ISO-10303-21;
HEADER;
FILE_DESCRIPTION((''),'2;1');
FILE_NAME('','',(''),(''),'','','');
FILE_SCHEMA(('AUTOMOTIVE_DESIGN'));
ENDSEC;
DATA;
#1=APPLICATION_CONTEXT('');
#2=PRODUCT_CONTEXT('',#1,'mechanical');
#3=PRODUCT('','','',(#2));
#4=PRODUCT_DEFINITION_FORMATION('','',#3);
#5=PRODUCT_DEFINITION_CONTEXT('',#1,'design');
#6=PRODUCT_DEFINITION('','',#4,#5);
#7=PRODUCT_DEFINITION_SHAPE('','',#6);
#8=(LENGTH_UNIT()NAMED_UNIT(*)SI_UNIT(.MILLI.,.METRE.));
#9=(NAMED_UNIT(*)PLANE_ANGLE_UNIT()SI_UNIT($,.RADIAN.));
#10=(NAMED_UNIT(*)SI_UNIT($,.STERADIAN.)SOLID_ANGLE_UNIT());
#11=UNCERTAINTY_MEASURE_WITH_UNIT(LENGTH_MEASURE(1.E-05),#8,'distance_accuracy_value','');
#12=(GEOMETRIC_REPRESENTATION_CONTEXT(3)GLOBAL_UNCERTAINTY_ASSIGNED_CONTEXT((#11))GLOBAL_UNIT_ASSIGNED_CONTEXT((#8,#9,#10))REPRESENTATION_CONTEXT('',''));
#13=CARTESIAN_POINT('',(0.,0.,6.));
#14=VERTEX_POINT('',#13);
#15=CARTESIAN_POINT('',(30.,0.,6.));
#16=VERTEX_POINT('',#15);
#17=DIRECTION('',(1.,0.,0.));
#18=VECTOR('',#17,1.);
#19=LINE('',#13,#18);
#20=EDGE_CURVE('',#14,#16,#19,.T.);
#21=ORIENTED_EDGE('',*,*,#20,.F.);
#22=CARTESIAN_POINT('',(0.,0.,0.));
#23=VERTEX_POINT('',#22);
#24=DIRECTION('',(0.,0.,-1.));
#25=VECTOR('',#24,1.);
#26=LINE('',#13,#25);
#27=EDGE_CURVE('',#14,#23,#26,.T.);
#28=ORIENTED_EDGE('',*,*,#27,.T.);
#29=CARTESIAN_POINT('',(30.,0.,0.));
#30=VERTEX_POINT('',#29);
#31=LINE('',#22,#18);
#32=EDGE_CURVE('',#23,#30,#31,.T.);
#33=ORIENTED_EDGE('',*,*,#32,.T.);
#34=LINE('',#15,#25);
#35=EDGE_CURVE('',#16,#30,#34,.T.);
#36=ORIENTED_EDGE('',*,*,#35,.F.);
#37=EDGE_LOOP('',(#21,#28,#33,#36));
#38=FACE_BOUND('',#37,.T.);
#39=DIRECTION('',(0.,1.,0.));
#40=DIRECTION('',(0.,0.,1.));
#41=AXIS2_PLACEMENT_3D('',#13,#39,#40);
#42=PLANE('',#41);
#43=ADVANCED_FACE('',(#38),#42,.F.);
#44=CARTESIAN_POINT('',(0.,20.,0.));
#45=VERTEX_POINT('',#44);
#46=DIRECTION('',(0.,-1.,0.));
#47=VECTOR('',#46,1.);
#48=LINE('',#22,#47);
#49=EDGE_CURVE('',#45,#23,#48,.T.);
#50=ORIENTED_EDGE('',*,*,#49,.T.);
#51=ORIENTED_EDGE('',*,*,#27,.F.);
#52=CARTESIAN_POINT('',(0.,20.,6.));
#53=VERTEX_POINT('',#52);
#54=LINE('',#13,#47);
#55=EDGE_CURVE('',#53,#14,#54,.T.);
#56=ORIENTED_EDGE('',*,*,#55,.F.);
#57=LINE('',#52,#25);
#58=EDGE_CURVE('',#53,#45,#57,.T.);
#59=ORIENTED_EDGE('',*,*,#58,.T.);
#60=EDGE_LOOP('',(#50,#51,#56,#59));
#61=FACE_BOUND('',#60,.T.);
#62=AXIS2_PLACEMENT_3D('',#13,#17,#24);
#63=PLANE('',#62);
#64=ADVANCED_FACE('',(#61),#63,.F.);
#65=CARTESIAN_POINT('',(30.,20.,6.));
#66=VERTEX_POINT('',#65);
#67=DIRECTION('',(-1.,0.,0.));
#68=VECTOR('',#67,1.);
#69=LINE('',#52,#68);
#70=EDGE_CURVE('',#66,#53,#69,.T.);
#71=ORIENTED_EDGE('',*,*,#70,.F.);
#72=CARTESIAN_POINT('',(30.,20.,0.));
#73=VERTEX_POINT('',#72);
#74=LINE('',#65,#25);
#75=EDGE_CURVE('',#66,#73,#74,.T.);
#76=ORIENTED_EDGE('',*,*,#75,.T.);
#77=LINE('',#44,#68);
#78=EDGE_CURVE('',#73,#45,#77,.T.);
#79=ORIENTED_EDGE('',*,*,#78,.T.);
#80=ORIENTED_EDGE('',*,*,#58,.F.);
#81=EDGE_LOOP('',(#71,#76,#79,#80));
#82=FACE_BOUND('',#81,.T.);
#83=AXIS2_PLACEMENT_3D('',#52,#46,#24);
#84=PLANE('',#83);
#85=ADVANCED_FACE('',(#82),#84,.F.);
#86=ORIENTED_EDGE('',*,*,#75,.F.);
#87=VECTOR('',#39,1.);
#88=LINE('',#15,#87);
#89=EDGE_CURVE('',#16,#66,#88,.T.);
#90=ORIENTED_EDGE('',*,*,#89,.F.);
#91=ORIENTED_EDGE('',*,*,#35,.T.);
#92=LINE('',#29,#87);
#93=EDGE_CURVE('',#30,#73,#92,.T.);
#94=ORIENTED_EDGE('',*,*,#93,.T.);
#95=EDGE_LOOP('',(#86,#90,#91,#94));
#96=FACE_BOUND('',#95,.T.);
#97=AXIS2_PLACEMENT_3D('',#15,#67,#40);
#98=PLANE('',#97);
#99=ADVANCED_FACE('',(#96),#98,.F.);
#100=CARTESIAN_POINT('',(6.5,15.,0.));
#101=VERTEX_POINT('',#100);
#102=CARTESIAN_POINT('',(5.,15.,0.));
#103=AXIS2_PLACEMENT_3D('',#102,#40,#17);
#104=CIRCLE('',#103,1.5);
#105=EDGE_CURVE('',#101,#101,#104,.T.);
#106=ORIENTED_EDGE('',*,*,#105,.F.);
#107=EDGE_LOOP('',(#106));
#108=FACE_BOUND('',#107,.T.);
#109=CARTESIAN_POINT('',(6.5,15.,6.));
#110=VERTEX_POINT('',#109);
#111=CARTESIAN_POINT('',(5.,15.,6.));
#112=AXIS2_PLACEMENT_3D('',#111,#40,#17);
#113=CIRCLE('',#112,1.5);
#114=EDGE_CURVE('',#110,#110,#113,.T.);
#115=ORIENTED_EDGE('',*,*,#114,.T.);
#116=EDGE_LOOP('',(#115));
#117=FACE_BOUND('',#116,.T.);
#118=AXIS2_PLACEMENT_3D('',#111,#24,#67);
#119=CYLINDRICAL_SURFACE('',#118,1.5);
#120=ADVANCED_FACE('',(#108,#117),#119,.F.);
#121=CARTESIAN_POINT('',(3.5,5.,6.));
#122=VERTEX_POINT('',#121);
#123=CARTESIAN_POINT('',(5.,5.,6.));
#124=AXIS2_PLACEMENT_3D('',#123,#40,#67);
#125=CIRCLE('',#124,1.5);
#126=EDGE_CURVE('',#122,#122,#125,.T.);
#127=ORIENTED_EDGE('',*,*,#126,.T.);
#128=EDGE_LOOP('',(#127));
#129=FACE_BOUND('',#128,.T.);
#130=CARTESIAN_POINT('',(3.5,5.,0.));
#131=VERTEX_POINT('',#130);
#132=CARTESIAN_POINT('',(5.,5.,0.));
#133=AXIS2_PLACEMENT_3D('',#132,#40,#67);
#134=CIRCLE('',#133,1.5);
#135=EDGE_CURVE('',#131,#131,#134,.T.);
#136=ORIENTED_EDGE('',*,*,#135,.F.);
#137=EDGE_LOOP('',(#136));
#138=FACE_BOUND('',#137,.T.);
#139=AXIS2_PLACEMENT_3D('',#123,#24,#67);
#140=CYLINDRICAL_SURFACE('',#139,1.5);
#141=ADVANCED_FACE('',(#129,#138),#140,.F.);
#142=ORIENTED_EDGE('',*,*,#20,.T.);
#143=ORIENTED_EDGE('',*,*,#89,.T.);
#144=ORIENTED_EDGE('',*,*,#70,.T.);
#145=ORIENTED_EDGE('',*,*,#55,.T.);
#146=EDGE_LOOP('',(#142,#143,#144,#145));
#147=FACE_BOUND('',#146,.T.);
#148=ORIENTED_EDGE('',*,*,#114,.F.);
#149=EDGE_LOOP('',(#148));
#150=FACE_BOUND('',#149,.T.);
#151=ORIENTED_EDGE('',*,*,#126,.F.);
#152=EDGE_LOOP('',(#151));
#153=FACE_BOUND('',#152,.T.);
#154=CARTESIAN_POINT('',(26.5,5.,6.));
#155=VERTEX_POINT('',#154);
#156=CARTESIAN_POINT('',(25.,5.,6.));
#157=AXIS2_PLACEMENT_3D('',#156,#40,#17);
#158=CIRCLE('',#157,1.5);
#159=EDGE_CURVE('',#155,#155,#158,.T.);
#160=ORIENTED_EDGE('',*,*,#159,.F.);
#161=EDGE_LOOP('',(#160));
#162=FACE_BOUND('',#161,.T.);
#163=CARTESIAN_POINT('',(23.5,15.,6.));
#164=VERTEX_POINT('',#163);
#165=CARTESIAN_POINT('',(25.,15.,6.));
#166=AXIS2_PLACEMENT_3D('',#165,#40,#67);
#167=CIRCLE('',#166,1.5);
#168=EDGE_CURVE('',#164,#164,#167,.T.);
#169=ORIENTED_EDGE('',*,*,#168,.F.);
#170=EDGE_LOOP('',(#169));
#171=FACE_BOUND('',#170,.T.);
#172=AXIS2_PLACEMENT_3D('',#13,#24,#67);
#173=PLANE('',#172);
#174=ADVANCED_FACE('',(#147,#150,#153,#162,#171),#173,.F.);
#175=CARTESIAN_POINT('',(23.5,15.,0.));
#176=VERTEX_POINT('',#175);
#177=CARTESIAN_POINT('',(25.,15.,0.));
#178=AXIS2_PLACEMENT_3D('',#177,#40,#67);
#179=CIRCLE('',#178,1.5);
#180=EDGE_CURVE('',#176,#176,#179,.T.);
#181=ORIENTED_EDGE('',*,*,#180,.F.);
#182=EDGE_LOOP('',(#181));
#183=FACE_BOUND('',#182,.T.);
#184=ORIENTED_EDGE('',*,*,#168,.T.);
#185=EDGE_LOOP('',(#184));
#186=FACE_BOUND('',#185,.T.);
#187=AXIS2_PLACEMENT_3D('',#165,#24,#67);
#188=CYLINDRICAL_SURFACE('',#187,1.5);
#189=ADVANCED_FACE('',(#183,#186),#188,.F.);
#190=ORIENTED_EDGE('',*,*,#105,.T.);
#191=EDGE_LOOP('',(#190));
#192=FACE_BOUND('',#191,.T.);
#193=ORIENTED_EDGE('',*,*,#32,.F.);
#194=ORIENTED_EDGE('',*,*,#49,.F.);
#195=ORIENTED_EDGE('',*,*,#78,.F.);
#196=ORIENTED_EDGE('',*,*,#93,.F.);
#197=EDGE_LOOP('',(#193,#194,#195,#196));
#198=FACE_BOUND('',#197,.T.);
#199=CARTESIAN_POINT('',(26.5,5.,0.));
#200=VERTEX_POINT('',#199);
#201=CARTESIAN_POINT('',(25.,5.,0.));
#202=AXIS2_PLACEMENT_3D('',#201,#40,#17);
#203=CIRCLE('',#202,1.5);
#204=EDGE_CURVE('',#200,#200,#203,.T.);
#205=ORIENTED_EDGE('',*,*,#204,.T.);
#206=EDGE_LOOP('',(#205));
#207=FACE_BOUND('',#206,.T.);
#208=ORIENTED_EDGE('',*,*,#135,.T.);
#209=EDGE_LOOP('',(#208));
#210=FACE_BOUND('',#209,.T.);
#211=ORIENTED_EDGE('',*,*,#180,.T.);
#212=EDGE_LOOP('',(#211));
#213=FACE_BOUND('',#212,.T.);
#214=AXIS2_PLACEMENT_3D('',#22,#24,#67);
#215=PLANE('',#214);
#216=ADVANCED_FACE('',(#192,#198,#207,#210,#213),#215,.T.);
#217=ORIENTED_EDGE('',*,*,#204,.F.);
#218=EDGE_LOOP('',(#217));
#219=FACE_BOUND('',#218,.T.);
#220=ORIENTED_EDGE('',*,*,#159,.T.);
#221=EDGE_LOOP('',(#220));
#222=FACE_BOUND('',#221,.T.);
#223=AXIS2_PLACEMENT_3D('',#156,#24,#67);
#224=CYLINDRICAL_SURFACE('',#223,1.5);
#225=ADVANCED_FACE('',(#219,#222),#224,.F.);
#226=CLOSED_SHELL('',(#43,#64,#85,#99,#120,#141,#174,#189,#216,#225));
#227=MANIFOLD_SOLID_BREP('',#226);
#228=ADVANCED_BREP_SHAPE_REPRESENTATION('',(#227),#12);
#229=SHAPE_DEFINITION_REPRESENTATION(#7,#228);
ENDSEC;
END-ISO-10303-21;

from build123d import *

# Parameters (mm, degrees)
ESQUISSE1_W        = 30
ESQUISSE1_H        = 20
ESQUISSE1_R        = 1.5
BOSS_EXTRU_1_DEPTH = 6


with BuildPart() as part:
    # Esquisse1 → Boss.-Extru.1 (new body)
    with BuildSketch(Plane.XY):
        with Locations((15, 10)):
            Rectangle(ESQUISSE1_W, ESQUISSE1_H)
        with Locations((5, 15)):
            Circle(ESQUISSE1_R, mode=Mode.SUBTRACT)
        with Locations(Location((25, 15, 0), (0, 0, 180))):
            Circle(ESQUISSE1_R, mode=Mode.SUBTRACT)
        with Locations((25, 5)):
            Circle(ESQUISSE1_R, mode=Mode.SUBTRACT)
        with Locations(Location((5, 5, 0), (0, 0, 180))):
            Circle(ESQUISSE1_R, mode=Mode.SUBTRACT)
    extrude(amount=BOSS_EXTRU_1_DEPTH)


solid = part.part
